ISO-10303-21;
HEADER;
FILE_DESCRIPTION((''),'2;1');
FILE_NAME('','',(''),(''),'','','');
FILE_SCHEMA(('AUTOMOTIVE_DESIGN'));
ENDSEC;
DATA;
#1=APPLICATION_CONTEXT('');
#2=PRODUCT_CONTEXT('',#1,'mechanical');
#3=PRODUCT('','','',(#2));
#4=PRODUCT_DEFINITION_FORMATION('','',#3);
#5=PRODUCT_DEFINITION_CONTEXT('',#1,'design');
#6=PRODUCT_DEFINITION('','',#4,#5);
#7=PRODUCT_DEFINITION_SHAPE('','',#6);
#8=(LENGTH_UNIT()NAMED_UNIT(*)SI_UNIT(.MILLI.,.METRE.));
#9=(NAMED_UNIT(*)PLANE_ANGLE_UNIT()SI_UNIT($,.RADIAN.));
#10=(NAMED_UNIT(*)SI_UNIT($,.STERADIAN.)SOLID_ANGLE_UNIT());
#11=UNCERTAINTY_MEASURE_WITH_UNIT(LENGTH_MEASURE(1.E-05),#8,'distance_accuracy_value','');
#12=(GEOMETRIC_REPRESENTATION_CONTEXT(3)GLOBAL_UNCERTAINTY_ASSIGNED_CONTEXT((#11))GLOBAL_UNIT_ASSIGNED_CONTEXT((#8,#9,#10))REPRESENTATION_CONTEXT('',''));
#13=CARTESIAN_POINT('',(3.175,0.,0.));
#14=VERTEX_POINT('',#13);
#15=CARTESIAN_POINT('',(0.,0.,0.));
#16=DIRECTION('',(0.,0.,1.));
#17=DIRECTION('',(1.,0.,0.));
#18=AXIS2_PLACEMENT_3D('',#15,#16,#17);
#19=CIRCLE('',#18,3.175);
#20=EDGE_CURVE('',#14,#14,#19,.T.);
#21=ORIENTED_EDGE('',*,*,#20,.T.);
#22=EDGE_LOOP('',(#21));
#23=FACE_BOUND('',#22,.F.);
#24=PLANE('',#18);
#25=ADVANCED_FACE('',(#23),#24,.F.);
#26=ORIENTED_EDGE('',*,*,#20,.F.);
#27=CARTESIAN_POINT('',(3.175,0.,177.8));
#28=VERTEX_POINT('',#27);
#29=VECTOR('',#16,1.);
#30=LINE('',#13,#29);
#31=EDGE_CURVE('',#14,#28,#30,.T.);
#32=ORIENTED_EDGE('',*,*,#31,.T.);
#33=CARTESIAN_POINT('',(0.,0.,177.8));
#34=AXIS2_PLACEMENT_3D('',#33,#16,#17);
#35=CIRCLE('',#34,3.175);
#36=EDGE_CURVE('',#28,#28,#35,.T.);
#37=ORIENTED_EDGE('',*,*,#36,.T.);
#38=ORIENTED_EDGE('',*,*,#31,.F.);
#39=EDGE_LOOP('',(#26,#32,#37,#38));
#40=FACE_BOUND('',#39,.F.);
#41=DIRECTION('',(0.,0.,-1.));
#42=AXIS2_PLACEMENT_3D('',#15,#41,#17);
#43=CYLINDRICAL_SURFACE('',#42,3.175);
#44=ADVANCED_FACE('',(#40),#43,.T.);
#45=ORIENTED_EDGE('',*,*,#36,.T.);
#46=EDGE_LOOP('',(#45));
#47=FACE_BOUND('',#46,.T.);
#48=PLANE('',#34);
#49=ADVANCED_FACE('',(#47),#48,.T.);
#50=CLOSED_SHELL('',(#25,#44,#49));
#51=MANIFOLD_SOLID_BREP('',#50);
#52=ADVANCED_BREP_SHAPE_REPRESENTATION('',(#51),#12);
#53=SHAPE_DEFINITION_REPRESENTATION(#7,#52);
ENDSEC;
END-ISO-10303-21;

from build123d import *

# Parameters (mm, degrees)
SKETCH1_R           = 3.175
BOSS_EXTRUDE1_DEPTH = 177.8


with BuildPart() as part:
    # Sketch1 → Boss-Extrude1 (new body)
    with BuildSketch(Plane.XY):
        Circle(SKETCH1_R)
    extrude(amount=BOSS_EXTRUDE1_DEPTH)


solid = part.part
